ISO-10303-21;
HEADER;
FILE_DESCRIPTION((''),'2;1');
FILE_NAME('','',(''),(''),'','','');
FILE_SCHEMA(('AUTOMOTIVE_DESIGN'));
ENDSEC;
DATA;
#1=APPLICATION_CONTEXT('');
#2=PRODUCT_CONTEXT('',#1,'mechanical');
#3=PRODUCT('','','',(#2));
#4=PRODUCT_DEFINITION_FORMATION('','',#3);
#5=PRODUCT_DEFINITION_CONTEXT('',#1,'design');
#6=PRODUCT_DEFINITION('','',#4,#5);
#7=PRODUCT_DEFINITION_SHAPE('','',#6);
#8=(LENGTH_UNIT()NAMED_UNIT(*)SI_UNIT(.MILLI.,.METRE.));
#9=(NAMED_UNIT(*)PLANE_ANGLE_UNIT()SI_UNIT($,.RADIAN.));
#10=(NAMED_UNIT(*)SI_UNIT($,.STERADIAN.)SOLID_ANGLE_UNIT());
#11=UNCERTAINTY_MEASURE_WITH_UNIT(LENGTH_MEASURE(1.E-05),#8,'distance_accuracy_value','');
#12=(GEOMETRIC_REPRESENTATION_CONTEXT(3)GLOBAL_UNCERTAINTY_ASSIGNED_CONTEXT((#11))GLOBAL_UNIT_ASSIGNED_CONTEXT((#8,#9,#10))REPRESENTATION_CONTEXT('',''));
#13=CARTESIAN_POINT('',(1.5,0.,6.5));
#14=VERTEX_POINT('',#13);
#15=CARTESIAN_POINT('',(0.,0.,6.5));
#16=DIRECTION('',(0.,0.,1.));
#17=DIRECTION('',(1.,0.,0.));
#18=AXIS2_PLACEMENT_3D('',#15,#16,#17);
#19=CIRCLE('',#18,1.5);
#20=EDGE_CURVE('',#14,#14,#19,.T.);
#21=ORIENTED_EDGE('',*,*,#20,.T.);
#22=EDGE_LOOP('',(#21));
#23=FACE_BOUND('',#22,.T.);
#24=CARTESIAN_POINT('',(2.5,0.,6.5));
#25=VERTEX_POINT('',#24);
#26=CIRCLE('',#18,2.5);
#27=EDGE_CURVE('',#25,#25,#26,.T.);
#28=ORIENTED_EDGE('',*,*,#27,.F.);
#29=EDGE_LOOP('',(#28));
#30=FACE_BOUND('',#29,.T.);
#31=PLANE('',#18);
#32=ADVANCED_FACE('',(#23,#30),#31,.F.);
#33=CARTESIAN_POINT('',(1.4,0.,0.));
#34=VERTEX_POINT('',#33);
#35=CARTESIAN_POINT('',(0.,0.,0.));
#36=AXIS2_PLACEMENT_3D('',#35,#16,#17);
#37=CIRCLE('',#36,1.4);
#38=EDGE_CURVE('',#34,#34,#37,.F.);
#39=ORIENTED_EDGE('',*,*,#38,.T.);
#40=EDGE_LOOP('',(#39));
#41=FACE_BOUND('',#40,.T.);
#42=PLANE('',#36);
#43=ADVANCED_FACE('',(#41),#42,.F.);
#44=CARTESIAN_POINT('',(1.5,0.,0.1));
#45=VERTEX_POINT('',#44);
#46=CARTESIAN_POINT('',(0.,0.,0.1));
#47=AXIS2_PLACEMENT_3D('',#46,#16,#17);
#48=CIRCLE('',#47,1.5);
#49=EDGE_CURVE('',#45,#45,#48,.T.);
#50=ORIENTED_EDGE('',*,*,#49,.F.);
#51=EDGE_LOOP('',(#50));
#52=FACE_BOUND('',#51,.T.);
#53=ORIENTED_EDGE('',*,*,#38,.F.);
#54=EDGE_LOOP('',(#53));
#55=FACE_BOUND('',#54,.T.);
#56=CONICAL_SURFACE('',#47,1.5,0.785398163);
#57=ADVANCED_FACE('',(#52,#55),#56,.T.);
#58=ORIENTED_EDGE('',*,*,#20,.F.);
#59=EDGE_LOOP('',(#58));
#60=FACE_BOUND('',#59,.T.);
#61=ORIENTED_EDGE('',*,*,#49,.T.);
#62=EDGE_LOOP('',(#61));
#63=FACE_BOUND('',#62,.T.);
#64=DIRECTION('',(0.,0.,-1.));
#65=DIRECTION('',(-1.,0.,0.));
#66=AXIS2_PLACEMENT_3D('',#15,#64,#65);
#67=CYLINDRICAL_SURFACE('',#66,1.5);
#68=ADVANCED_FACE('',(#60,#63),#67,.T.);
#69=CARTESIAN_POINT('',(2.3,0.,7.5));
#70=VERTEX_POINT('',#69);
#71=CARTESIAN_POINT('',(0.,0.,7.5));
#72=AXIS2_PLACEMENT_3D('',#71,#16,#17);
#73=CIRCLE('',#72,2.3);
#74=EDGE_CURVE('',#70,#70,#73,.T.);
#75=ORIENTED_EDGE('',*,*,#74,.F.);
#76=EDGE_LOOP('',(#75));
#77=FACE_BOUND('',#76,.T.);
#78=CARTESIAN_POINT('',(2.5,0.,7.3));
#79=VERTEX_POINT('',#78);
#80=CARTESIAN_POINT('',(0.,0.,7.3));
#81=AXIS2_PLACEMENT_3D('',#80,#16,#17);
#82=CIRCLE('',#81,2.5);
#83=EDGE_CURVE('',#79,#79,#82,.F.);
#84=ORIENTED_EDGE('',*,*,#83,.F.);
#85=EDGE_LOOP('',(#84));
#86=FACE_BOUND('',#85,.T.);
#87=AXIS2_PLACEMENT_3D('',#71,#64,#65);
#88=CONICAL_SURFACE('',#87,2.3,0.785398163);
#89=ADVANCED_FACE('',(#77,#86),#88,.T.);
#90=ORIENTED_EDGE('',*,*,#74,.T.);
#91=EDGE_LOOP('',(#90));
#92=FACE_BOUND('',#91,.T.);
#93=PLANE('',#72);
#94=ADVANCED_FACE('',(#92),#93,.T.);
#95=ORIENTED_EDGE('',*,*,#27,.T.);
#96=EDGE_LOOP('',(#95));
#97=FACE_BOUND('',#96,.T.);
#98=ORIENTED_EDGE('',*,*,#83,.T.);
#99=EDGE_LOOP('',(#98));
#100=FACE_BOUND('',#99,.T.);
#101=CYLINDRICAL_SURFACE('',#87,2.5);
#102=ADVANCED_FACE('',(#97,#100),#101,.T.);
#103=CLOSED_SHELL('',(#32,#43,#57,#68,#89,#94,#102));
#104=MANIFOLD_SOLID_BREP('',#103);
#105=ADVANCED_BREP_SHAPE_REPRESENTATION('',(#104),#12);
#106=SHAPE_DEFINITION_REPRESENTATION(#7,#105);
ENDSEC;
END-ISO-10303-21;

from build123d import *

# Parameters (mm, degrees)
SKETCH1_R           = 1.5
BOSS_EXTRUDE1_DEPTH = 6.5
CHAMFER1_SIZE       = 0.1
SKETCH2_R           = 2.5
BOSS_EXTRUDE2_DEPTH = 1
CHAMFER2_SIZE       = 0.2


with BuildPart() as part:
    # Sketch1 → Boss-Extrude1 (new body)
    with BuildSketch(Plane.XY):
        Circle(SKETCH1_R)
    extrude(amount=BOSS_EXTRUDE1_DEPTH)

    # Chamfer1
    chamfer1_edges = [part.edges().sort_by_distance(p)[0] for p in [
        (-1.5, 0, 0),
    ]]
    chamfer(chamfer1_edges, length=CHAMFER1_SIZE)

    # Sketch2 → Boss-Extrude2 (add)
    with BuildSketch(Plane.XY.offset(6.5)):
        Circle(SKETCH2_R)
    extrude(amount=BOSS_EXTRUDE2_DEPTH)

    # Chamfer2
    chamfer2_edges = [part.edges().sort_by_distance(p)[0] for p in [
        (-2.5, 0, 7.5),
    ]]
    chamfer(chamfer2_edges, length=CHAMFER2_SIZE)


solid = part.part
